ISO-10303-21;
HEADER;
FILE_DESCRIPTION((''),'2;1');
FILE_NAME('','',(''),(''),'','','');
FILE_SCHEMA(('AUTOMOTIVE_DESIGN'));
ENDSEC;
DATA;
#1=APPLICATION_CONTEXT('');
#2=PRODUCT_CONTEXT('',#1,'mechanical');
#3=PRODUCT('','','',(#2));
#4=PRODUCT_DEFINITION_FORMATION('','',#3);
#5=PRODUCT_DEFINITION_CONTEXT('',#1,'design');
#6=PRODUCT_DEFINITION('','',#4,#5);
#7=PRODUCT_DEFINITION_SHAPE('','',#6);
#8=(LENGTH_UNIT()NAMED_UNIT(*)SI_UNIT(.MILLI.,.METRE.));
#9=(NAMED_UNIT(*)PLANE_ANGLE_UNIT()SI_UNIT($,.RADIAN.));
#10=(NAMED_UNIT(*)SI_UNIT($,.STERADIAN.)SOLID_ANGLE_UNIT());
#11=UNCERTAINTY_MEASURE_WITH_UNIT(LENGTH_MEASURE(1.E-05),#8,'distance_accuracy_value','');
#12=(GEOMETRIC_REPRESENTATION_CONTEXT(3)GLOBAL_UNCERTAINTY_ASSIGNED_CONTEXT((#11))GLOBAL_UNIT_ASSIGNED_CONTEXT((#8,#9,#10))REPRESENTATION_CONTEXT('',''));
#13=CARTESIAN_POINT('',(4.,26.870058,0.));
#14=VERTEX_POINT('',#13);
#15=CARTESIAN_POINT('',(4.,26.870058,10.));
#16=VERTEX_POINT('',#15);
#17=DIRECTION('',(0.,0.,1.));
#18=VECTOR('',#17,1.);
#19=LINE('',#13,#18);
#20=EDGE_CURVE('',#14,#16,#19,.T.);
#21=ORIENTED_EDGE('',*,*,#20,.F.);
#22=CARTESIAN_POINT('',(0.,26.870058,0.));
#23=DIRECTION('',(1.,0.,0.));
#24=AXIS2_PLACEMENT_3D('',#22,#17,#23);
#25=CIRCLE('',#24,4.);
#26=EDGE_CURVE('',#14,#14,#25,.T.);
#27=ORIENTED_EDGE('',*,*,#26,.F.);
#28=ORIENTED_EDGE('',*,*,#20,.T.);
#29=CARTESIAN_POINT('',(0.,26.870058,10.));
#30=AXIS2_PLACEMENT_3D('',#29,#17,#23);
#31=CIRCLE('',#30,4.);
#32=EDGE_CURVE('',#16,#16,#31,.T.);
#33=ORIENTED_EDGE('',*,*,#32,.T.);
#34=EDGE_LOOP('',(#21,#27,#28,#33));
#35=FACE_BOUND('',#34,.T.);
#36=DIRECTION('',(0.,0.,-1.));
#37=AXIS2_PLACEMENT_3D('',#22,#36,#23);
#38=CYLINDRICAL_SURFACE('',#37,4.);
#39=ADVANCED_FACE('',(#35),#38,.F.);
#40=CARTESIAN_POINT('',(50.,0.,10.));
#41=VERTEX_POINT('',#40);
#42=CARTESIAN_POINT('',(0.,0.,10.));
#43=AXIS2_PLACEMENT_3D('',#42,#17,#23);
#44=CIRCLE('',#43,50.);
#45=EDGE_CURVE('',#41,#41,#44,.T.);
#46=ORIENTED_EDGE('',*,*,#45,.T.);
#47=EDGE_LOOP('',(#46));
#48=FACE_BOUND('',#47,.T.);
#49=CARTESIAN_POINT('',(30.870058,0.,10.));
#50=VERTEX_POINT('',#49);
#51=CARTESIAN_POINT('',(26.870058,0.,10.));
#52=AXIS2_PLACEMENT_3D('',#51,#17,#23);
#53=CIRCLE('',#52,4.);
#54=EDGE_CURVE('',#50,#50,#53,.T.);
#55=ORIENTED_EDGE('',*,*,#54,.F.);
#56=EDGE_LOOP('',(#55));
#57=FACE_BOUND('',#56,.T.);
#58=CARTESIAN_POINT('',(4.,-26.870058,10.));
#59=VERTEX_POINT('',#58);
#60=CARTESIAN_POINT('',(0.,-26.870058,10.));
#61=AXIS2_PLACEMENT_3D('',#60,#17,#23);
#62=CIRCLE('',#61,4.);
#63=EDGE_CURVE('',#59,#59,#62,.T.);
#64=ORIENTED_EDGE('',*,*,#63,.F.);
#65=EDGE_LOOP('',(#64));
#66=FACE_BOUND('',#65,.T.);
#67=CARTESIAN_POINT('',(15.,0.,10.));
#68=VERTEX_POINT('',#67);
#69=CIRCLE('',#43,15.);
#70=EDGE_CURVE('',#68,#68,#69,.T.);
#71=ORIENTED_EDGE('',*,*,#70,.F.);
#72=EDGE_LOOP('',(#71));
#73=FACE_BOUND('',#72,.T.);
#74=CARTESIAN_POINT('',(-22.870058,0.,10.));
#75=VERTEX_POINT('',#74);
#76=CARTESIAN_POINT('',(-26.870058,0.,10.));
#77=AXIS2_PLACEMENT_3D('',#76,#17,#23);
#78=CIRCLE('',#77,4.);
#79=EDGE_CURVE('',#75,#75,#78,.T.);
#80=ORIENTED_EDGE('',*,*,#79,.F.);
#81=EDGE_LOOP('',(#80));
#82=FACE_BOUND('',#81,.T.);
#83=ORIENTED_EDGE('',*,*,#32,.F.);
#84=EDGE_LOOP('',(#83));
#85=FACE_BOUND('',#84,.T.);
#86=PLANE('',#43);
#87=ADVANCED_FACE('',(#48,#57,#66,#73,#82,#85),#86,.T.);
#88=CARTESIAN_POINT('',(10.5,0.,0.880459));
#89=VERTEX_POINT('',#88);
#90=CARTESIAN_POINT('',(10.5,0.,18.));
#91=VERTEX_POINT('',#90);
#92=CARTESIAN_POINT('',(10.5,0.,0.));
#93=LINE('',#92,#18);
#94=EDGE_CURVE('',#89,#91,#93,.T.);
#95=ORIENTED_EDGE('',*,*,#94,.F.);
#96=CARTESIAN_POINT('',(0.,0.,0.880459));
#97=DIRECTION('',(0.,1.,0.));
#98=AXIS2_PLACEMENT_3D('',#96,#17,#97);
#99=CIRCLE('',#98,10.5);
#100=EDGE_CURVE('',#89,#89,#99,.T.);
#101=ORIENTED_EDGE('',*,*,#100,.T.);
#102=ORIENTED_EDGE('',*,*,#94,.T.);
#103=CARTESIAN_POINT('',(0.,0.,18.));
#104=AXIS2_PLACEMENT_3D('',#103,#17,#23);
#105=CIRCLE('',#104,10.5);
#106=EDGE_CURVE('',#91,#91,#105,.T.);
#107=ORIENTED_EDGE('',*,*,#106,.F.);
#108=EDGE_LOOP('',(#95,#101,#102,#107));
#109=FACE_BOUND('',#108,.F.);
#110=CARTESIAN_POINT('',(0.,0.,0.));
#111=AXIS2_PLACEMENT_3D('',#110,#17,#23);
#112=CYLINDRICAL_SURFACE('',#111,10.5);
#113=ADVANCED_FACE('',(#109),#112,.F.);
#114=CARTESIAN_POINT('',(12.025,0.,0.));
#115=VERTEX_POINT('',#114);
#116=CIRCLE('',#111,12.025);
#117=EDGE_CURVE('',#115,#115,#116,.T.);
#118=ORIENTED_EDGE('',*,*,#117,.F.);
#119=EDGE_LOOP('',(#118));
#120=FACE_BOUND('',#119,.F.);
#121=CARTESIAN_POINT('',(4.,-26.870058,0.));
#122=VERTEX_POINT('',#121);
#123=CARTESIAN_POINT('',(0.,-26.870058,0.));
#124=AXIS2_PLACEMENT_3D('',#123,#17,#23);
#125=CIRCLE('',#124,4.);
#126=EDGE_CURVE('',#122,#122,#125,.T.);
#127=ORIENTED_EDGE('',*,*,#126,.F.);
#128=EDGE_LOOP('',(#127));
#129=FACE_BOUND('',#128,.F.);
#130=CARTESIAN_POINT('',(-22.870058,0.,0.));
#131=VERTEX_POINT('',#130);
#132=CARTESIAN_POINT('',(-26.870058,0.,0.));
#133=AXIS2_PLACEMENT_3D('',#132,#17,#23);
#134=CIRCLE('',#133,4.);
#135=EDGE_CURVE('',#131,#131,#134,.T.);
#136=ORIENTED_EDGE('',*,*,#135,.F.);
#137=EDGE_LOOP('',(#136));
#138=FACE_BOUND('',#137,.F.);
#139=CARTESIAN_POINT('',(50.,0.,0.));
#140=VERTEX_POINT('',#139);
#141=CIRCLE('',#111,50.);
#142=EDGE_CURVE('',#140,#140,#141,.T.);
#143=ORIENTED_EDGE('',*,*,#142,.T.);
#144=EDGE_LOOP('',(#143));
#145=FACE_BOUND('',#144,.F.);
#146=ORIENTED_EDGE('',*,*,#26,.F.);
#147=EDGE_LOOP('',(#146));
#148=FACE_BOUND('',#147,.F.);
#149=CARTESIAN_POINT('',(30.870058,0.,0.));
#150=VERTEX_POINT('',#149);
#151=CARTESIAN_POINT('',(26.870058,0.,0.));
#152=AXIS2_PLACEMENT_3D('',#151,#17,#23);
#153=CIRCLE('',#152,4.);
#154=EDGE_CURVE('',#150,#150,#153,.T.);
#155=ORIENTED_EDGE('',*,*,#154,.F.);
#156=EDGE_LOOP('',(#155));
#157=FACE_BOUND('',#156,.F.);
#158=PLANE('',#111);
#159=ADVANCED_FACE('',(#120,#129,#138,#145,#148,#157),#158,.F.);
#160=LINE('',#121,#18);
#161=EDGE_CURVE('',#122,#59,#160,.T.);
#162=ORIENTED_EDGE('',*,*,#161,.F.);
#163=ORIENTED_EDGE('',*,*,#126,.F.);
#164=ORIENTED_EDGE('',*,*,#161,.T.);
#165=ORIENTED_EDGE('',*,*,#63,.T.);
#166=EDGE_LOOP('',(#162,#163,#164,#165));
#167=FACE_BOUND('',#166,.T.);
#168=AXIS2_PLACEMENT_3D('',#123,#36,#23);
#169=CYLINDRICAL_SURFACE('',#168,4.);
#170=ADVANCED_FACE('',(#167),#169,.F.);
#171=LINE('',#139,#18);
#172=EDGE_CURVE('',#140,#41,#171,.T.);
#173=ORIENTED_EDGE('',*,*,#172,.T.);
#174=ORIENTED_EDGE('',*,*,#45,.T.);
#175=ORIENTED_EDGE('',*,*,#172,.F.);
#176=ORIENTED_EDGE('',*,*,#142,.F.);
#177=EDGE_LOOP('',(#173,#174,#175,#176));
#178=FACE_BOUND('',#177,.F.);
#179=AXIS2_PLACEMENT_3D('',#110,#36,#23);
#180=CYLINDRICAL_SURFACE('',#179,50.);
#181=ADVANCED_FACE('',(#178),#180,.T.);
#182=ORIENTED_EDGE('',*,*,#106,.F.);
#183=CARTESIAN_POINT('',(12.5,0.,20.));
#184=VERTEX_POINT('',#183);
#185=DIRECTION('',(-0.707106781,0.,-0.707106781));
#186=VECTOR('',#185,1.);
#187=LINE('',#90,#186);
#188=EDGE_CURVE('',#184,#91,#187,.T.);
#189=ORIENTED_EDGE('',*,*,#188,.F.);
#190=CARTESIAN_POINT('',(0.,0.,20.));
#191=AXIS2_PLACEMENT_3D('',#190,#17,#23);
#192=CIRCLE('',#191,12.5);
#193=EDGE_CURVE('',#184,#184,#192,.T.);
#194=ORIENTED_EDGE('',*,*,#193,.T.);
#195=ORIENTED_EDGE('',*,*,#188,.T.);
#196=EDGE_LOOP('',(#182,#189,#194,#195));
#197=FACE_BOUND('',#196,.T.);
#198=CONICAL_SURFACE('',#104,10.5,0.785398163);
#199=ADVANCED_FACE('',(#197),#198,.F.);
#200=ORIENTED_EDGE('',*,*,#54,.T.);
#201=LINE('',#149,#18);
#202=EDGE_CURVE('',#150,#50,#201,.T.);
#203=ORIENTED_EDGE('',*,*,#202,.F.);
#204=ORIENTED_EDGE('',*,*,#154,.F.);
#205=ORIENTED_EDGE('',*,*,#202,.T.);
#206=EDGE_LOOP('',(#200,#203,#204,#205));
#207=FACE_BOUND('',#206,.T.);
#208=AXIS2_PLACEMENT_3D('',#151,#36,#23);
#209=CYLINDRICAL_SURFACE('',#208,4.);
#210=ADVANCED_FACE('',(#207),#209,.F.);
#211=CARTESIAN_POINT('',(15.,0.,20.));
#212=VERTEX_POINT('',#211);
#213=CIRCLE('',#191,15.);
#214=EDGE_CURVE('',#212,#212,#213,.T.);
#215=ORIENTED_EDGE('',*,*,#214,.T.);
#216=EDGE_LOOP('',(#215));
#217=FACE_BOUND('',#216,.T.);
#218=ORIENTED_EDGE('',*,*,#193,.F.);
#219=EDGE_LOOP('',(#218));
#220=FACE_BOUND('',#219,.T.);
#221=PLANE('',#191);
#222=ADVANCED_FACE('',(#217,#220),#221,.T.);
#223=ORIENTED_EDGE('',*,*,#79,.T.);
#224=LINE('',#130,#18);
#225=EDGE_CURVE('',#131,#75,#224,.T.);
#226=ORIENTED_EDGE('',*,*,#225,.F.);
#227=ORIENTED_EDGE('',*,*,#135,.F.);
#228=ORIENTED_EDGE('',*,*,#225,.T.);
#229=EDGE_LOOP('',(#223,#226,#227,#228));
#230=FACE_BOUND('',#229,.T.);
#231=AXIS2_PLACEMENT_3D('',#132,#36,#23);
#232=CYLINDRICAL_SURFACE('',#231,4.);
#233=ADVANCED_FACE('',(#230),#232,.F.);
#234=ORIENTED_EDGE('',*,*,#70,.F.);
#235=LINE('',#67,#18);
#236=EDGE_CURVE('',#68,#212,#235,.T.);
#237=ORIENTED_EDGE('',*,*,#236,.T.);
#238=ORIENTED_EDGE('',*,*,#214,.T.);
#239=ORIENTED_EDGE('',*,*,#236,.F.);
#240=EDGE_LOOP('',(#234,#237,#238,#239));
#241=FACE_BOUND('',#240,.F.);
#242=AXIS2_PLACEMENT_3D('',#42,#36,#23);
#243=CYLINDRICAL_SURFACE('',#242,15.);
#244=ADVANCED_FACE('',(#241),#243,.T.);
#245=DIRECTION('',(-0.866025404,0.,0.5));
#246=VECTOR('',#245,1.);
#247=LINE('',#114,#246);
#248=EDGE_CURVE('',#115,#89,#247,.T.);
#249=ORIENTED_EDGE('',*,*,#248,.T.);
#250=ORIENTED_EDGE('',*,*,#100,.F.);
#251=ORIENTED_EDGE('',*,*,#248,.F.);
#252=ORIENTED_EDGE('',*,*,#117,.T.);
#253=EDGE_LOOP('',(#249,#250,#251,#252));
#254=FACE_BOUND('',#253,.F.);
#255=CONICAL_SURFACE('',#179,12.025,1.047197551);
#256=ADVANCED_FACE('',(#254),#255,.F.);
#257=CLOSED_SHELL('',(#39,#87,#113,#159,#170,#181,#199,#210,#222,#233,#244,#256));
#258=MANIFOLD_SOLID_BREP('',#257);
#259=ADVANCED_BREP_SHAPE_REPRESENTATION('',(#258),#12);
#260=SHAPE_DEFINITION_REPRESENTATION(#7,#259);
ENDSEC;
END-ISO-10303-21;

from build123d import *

# Parameters (mm, degrees)
SCHIZZO1_R                       = 50
SCHIZZO1_R_2                     = 4
ESTRUSIONE_ESTRUSIONE1_DEPTH     = 10
SCHIZZO2_R                       = 15
ESTRUSIONE_ESTRUSIONE2_DEPTH     = 10
FORO_FILETTATO_M24_1_D           = 21
FORO_FILETTATO_M24_1_CSINK_D     = 24.05
FORO_FILETTATO_M24_1_CSINK_ANGLE = 120
SMUSSO1_SIZE                     = 2


with BuildPart() as part:
    # Schizzo1 → Estrusione-Estrusione1 (new body)
    with BuildSketch(Plane.XY):
        Circle(SCHIZZO1_R)
        with Locations((0, 26.870057685)):
            Circle(SCHIZZO1_R_2, mode=Mode.SUBTRACT)
        with Locations((26.870057685, 0)):
            Circle(SCHIZZO1_R_2, mode=Mode.SUBTRACT)
        with Locations((0, -26.870057685)):
            Circle(SCHIZZO1_R_2, mode=Mode.SUBTRACT)
        with Locations((-26.870057685, 0)):
            Circle(SCHIZZO1_R_2, mode=Mode.SUBTRACT)
    extrude(amount=ESTRUSIONE_ESTRUSIONE1_DEPTH)

    # Schizzo2 → Estrusione-Estrusione2 (add)
    with BuildSketch(Plane.XY.offset(10)):
        Circle(SCHIZZO2_R)
    extrude(amount=ESTRUSIONE_ESTRUSIONE2_DEPTH)

    # Foro filettato M24-1 (through all)
    with Locations(Plane(origin=(0, 0, 0), x_dir=(-1, 0, 0), z_dir=(0, 0, -1))):
        with Locations((0, 0)):
            CounterSinkHole(FORO_FILETTATO_M24_1_D / 2, FORO_FILETTATO_M24_1_CSINK_D / 2, counter_sink_angle=FORO_FILETTATO_M24_1_CSINK_ANGLE)

    # Smusso1
    smusso1_edges = [part.edges().sort_by_distance(p)[0] for p in [
        (-10.5, 0, 20),
    ]]
    chamfer(smusso1_edges, length=SMUSSO1_SIZE)


solid = part.part
